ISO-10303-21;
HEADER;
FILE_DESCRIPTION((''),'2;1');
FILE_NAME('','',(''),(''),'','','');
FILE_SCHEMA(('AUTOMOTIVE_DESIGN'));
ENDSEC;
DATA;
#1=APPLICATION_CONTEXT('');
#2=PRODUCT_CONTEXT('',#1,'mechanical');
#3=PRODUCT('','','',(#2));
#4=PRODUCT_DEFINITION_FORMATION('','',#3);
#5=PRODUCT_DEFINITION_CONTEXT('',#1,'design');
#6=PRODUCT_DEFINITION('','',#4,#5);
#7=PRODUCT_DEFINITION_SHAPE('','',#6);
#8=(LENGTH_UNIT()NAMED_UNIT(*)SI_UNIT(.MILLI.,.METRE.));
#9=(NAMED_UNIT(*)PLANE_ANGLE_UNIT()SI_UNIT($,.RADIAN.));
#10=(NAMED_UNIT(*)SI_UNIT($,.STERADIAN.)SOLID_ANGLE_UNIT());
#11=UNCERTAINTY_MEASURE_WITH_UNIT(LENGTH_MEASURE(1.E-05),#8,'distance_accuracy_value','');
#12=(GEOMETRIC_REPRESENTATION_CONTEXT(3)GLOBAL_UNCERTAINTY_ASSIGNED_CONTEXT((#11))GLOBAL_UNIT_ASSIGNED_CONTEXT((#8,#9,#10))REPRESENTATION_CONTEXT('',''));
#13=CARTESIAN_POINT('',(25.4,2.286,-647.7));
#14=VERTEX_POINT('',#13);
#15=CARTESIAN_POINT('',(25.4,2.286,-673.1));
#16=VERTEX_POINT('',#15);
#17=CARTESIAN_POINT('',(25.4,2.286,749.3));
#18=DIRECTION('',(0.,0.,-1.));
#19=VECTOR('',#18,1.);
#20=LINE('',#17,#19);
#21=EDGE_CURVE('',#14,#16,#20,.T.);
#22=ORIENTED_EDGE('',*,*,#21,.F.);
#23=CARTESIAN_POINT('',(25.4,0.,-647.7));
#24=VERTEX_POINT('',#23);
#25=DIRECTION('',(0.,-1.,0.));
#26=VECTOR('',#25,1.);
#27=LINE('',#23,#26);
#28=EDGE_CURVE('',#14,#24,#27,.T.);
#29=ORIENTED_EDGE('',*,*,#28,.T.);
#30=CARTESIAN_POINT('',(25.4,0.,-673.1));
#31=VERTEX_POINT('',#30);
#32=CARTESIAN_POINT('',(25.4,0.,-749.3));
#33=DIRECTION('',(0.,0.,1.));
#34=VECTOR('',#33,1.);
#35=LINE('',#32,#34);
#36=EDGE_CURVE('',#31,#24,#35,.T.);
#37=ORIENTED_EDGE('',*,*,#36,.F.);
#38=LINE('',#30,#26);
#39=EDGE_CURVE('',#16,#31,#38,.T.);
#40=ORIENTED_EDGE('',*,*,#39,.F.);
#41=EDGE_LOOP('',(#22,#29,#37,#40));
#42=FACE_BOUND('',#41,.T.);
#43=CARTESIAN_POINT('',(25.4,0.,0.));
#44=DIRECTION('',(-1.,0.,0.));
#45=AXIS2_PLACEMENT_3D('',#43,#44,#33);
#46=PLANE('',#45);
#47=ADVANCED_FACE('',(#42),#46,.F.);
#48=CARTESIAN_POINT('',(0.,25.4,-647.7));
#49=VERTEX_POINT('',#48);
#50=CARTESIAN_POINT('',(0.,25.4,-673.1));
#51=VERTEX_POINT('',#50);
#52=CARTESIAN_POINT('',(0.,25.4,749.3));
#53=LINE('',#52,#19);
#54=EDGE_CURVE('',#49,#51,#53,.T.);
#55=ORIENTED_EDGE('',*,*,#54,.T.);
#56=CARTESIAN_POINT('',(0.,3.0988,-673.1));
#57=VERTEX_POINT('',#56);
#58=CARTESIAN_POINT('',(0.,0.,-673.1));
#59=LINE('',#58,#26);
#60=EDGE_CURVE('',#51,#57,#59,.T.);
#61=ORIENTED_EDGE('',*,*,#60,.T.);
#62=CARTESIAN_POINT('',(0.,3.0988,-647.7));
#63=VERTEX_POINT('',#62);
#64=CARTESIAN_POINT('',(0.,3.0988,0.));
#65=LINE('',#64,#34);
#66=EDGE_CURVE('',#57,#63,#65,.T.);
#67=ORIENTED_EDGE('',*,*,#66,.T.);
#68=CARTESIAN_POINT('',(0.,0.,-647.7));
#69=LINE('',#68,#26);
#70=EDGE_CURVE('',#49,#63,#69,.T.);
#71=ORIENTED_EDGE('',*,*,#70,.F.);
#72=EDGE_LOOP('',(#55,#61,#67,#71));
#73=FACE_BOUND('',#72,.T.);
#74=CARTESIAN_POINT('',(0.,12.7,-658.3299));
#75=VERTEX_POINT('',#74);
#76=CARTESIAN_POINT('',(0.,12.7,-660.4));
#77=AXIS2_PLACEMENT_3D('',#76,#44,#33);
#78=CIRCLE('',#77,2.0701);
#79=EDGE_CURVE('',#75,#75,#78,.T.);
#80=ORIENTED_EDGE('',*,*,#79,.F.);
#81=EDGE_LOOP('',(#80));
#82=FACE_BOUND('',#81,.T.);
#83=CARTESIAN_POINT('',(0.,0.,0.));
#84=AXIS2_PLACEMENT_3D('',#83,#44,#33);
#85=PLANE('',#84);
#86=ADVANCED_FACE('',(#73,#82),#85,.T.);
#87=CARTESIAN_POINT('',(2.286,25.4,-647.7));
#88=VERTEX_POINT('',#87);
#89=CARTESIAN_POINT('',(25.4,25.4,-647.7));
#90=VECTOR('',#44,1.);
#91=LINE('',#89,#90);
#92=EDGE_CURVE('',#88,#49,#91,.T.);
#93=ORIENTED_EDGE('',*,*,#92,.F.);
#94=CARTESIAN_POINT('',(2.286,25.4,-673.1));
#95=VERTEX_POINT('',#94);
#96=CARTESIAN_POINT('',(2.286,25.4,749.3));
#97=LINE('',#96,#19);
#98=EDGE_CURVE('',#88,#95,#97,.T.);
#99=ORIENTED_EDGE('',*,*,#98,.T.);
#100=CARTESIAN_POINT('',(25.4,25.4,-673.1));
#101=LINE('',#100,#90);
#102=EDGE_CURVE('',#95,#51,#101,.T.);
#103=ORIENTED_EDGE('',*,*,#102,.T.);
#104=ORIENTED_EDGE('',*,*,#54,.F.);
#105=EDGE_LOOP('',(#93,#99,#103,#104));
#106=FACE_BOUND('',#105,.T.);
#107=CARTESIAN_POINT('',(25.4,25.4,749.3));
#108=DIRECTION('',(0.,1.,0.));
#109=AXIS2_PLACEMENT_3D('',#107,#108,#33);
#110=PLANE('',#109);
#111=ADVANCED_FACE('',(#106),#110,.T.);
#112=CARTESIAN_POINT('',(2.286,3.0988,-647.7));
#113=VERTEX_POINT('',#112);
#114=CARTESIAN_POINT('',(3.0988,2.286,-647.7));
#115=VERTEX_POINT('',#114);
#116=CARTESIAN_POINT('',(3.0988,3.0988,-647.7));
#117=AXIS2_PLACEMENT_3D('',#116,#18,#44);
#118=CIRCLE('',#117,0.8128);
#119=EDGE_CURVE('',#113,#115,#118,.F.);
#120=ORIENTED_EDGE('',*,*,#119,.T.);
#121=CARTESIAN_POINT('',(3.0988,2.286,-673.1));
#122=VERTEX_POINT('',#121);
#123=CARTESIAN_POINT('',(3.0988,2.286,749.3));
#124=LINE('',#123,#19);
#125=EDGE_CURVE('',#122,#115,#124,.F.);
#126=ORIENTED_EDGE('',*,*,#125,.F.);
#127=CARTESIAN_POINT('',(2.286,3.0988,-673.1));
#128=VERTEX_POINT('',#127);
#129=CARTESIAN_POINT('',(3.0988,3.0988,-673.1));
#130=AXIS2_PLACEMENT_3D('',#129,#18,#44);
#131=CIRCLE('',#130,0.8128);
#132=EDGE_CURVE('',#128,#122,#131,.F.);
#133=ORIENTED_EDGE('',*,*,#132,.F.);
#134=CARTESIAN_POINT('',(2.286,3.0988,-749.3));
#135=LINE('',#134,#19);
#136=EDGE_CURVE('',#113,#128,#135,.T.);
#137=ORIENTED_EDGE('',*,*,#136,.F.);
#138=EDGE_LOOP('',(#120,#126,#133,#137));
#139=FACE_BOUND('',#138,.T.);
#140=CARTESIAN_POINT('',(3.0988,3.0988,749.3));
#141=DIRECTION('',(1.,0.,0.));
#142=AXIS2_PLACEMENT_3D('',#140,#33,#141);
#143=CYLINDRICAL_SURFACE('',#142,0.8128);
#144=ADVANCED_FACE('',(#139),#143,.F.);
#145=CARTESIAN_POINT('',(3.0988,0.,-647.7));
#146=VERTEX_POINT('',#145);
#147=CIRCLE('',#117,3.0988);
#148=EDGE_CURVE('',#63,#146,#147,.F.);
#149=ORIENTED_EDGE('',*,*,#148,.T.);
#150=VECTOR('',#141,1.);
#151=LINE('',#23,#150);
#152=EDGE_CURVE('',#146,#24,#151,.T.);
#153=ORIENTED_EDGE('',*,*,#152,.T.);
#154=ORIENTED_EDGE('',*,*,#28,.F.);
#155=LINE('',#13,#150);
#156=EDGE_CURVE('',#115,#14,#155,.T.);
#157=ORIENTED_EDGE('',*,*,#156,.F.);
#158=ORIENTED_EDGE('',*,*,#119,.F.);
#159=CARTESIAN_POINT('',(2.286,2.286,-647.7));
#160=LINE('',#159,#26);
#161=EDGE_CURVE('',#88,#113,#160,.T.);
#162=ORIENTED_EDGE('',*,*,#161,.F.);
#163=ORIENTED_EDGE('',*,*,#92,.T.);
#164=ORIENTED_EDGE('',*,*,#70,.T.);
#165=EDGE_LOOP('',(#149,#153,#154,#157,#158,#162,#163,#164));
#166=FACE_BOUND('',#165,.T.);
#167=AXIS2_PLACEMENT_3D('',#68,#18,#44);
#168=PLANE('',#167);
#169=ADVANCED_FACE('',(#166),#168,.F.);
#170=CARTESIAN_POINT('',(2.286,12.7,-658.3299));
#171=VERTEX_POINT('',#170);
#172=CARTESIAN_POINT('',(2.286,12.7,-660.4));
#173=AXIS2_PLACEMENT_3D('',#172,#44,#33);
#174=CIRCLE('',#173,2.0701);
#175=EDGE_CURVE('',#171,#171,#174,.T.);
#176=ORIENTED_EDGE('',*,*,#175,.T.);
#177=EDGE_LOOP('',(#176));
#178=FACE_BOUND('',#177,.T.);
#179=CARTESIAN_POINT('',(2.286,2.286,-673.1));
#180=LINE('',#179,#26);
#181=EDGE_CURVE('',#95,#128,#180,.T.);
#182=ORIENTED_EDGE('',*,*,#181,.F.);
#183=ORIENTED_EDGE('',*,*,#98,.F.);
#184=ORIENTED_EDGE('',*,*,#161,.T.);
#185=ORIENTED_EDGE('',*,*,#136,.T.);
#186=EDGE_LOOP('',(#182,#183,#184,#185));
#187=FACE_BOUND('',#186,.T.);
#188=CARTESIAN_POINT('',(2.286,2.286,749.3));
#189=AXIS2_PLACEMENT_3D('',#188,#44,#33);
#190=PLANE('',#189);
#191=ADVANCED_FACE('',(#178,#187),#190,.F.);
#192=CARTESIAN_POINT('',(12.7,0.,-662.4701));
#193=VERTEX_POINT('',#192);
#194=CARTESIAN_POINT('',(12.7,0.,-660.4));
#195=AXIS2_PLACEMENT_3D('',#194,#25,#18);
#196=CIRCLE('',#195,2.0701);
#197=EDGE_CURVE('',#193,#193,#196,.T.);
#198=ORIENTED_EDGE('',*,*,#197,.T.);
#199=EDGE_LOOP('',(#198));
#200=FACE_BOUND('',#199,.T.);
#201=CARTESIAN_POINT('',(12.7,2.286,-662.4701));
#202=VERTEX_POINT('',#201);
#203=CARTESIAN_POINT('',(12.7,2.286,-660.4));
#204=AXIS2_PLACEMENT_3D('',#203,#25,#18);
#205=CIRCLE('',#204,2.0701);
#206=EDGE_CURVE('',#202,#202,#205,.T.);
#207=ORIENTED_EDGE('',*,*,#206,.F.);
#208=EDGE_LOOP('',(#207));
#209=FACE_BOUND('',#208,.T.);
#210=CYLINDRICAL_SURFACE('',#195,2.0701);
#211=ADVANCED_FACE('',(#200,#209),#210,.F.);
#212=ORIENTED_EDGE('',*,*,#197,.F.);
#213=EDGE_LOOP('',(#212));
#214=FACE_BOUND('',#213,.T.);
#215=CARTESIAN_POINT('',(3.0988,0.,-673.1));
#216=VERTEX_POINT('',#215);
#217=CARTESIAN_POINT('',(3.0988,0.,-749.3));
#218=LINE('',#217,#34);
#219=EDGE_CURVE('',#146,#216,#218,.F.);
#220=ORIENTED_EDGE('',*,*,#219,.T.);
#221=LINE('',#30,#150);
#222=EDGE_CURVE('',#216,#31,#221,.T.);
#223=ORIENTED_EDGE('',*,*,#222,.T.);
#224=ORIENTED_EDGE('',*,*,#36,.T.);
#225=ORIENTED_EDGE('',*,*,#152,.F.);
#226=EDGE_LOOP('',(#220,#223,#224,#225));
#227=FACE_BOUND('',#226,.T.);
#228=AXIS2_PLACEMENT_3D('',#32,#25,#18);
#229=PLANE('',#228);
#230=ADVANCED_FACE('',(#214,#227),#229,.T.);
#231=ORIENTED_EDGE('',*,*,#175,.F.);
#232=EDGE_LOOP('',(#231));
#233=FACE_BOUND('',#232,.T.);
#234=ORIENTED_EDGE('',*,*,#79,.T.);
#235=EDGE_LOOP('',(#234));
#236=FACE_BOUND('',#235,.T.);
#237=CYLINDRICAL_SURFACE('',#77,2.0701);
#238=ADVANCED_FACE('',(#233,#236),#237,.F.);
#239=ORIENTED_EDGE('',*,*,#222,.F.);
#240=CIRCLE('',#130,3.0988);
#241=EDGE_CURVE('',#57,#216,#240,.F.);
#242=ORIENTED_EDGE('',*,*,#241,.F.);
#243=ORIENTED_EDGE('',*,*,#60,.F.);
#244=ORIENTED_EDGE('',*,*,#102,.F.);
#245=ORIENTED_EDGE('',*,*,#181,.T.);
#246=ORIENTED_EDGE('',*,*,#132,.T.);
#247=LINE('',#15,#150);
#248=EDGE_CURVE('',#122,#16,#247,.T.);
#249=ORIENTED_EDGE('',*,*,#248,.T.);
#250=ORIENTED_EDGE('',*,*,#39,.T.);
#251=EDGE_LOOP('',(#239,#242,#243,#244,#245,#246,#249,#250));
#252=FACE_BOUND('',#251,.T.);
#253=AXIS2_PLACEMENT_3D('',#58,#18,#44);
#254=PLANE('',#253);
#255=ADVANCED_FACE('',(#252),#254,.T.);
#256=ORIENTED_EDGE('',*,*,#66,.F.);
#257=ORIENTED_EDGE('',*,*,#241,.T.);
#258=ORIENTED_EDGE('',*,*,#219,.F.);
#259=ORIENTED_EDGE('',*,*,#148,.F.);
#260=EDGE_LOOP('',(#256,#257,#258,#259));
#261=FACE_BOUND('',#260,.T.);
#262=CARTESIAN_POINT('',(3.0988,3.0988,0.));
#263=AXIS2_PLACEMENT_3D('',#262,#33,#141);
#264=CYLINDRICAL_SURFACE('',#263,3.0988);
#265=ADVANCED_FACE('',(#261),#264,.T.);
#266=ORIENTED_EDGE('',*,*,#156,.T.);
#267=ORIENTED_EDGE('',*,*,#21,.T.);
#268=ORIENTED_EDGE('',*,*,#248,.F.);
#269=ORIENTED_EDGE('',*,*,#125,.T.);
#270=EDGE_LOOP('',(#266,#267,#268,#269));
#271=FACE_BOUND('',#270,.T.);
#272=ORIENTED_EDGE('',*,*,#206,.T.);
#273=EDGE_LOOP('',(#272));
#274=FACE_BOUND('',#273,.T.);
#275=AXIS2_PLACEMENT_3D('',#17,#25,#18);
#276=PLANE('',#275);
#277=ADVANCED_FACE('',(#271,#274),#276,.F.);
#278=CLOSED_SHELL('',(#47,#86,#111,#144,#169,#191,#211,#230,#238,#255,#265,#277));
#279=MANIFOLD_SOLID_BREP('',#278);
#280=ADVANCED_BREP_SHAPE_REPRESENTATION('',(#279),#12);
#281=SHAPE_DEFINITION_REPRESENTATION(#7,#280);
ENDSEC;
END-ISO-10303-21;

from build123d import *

# Parameters (mm, degrees)
SKETCH1_W                  = 25.4
SKETCH1_H                  = 1498.6
BOSS_EXTRUDE1_DEPTH        = 25.4
SKETCH2_W                  = 23.114
SKETCH2_H                  = 23.114
CUT_EXTRUDE1_DEPTH         = 1499.6
M3_5_CLEARANCE_HOLE1_D     = 4.1402
M3_5_CLEARANCE_HOLE1_DEPTH = 25.4
M3_5_CLEARANCE_HOLE2_D     = 4.1402
M3_5_CLEARANCE_HOLE2_DEPTH = 25.4
CHAMFER1_SIZE              = 2.159
FILLET1_R                  = 0.8128
FILLET2_R                  = 3.0988
SKETCH8_W                  = 95.882963774
SKETCH8_H                  = 79.338329604
CUT_EXTRUDE3_DEPTH         = 1371.6
SKETCH9_W                  = 56.924523055
SKETCH9_H                  = 51.282783217
CUT_EXTRUDE4_DEPTH         = 76.2
SKETCH10_W                 = 57.247248429
SKETCH10_H                 = 53.712272172
CUT_EXTRUDE5_DEPTH         = 25.4


with BuildPart() as part:
    # Sketch1 → Boss-Extrude1 (new body)
    with BuildSketch(Plane(origin=(0, 0, 0), x_dir=(0, -1, 0), z_dir=(-1, 0, 0))):
        with Locations((-12.7, 0)):
            Rectangle(SKETCH1_W, SKETCH1_H)
    extrude(amount=-BOSS_EXTRUDE1_DEPTH)

    # Sketch2 → Cut-Extrude1 (cut, through all)
    with BuildSketch(Plane(origin=(0, 0, -749.3), x_dir=(-1, 0, 0), z_dir=(0, 0, -1))):
        with Locations((-13.843, 13.843)):
            Rectangle(SKETCH2_W, SKETCH2_H)
    extrude(amount=-CUT_EXTRUDE1_DEPTH, mode=Mode.SUBTRACT)

    # M3.5 Clearance Hole1
    with Locations(Plane(origin=(0, 0, 0), x_dir=(-1, 0, 0), z_dir=(0, -1, 0))):
        with Locations((-12.7, 736.6), (-12.7, 711.2), (-12.7, 685.8), (-12.7, 660.4), (-12.7, 635), (-12.7, 609.6), (-12.7, 584.2), (-12.7, 558.8), (-12.7, 533.4), (-12.7, 508), (-12.7, 482.6), (-12.7, 457.2), (-12.7, 431.8), (-12.7, 406.4), (-12.7, 381), (-12.7, 355.6), (-12.7, 330.2), (-12.7, 304.8), (-12.7, 279.4), (-12.7, 254), (-12.7, 228.6), (-12.7, 203.2), (-12.7, 177.8), (-12.7, 152.4), (-12.7, 127), (-12.7, 101.6), (-12.7, 76.2), (-12.7, 50.8), (-12.7, 25.4), (-12.7, 0), (-12.7, -25.4), (-12.7, -50.8), (-12.7, -76.2), (-12.7, -101.6), (-12.7, -127), (-12.7, -152.4), (-12.7, -177.8), (-12.7, -203.2), (-12.7, -228.6), (-12.7, -254), (-12.7, -279.4), (-12.7, -304.8), (-12.7, -330.2), (-12.7, -355.6), (-12.7, -381), (-12.7, -406.4), (-12.7, -431.8), (-12.7, -457.2), (-12.7, -482.6), (-12.7, -508), (-12.7, -533.4), (-12.7, -558.8), (-12.7, -584.2), (-12.7, -609.6), (-12.7, -635), (-12.7, -660.4), (-12.7, -685.8), (-12.7, -711.2), (-12.7, -736.6)):
            Hole(M3_5_CLEARANCE_HOLE1_D / 2, depth=M3_5_CLEARANCE_HOLE1_DEPTH)

    # M3.5 Clearance Hole2
    with Locations(Plane.ZY):
        with Locations((711.2, 12.7), (736.6, 12.7), (685.8, 12.7), (660.4, 12.7), (635, 12.7), (609.6, 12.7), (584.2, 12.7), (558.8, 12.7), (533.4, 12.7), (508, 12.7), (482.6, 12.7), (457.2, 12.7), (431.8, 12.7), (406.4, 12.7), (381, 12.7), (355.6, 12.7), (330.2, 12.7), (304.8, 12.7), (279.4, 12.7), (254, 12.7), (228.6, 12.7), (203.2, 12.7), (177.8, 12.7), (152.4, 12.7), (127, 12.7), (101.6, 12.7), (76.2, 12.7), (50.8, 12.7), (25.4, 12.7), (0, 12.7), (-25.4, 12.7), (-50.8, 12.7), (-76.2, 12.7), (-101.6, 12.7), (-127, 12.7), (-152.4, 12.7), (-177.8, 12.7), (-203.2, 12.7), (-228.6, 12.7), (-254, 12.7), (-279.4, 12.7), (-304.8, 12.7), (-330.2, 12.7), (-355.6, 12.7), (-381, 12.7), (-406.4, 12.7), (-431.8, 12.7), (-457.2, 12.7), (-482.6, 12.7), (-508, 12.7), (-533.4, 12.7), (-558.8, 12.7), (-584.2, 12.7), (-609.6, 12.7), (-635, 12.7), (-660.4, 12.7), (-685.8, 12.7), (-711.2, 12.7), (-736.6, 12.7)):
            Hole(M3_5_CLEARANCE_HOLE2_D / 2, depth=M3_5_CLEARANCE_HOLE2_DEPTH)

    # Chamfer1
    chamfer1_edges = [part.edges().sort_by_distance(p)[0] for p in [
        (25.4, 1.143, -749.3),
        (1.143, 25.4, 749.3),
        (1.143, 25.4, -749.3),
        (25.4, 1.143, 749.3),
    ]]
    chamfer(chamfer1_edges, length=CHAMFER1_SIZE)

    # Fillet1
    fillet1_edges = [part.edges().sort_by_distance(p)[0] for p in [
        (2.286, 2.286, 0),
    ]]
    fillet(fillet1_edges, radius=FILLET1_R)

    # Fillet2
    fillet2_edges = [part.edges().sort_by_distance(p)[0] for p in [
        (0, 0, 0),
    ]]
    fillet(fillet2_edges, radius=FILLET2_R)

    # Sketch8 → Cut-Extrude3 (cut)
    with BuildSketch(Plane.XY.offset(749.3)):
        with Locations((2.286, 3.0988)):
            Rectangle(SKETCH8_W, SKETCH8_H)
    extrude(amount=-CUT_EXTRUDE3_DEPTH, mode=Mode.SUBTRACT)

    # Sketch9 → Cut-Extrude4 (cut)
    with BuildSketch(Plane(origin=(0, 0, -749.3), x_dir=(-1, 0, 0), z_dir=(0, 0, -1))):
        with Locations((-2.180776643, 1.30746368)):
            Rectangle(SKETCH9_W, SKETCH9_H)
    extrude(amount=-CUT_EXTRUDE4_DEPTH, mode=Mode.SUBTRACT)

    # Sketch10 → Cut-Extrude5 (cut)
    with BuildSketch(Plane.XY.offset(-622.3)):
        with Locations((2.141729058, 1.213934322)):
            Rectangle(SKETCH10_W, SKETCH10_H)
    extrude(amount=-CUT_EXTRUDE5_DEPTH, mode=Mode.SUBTRACT)


solid = part.part
